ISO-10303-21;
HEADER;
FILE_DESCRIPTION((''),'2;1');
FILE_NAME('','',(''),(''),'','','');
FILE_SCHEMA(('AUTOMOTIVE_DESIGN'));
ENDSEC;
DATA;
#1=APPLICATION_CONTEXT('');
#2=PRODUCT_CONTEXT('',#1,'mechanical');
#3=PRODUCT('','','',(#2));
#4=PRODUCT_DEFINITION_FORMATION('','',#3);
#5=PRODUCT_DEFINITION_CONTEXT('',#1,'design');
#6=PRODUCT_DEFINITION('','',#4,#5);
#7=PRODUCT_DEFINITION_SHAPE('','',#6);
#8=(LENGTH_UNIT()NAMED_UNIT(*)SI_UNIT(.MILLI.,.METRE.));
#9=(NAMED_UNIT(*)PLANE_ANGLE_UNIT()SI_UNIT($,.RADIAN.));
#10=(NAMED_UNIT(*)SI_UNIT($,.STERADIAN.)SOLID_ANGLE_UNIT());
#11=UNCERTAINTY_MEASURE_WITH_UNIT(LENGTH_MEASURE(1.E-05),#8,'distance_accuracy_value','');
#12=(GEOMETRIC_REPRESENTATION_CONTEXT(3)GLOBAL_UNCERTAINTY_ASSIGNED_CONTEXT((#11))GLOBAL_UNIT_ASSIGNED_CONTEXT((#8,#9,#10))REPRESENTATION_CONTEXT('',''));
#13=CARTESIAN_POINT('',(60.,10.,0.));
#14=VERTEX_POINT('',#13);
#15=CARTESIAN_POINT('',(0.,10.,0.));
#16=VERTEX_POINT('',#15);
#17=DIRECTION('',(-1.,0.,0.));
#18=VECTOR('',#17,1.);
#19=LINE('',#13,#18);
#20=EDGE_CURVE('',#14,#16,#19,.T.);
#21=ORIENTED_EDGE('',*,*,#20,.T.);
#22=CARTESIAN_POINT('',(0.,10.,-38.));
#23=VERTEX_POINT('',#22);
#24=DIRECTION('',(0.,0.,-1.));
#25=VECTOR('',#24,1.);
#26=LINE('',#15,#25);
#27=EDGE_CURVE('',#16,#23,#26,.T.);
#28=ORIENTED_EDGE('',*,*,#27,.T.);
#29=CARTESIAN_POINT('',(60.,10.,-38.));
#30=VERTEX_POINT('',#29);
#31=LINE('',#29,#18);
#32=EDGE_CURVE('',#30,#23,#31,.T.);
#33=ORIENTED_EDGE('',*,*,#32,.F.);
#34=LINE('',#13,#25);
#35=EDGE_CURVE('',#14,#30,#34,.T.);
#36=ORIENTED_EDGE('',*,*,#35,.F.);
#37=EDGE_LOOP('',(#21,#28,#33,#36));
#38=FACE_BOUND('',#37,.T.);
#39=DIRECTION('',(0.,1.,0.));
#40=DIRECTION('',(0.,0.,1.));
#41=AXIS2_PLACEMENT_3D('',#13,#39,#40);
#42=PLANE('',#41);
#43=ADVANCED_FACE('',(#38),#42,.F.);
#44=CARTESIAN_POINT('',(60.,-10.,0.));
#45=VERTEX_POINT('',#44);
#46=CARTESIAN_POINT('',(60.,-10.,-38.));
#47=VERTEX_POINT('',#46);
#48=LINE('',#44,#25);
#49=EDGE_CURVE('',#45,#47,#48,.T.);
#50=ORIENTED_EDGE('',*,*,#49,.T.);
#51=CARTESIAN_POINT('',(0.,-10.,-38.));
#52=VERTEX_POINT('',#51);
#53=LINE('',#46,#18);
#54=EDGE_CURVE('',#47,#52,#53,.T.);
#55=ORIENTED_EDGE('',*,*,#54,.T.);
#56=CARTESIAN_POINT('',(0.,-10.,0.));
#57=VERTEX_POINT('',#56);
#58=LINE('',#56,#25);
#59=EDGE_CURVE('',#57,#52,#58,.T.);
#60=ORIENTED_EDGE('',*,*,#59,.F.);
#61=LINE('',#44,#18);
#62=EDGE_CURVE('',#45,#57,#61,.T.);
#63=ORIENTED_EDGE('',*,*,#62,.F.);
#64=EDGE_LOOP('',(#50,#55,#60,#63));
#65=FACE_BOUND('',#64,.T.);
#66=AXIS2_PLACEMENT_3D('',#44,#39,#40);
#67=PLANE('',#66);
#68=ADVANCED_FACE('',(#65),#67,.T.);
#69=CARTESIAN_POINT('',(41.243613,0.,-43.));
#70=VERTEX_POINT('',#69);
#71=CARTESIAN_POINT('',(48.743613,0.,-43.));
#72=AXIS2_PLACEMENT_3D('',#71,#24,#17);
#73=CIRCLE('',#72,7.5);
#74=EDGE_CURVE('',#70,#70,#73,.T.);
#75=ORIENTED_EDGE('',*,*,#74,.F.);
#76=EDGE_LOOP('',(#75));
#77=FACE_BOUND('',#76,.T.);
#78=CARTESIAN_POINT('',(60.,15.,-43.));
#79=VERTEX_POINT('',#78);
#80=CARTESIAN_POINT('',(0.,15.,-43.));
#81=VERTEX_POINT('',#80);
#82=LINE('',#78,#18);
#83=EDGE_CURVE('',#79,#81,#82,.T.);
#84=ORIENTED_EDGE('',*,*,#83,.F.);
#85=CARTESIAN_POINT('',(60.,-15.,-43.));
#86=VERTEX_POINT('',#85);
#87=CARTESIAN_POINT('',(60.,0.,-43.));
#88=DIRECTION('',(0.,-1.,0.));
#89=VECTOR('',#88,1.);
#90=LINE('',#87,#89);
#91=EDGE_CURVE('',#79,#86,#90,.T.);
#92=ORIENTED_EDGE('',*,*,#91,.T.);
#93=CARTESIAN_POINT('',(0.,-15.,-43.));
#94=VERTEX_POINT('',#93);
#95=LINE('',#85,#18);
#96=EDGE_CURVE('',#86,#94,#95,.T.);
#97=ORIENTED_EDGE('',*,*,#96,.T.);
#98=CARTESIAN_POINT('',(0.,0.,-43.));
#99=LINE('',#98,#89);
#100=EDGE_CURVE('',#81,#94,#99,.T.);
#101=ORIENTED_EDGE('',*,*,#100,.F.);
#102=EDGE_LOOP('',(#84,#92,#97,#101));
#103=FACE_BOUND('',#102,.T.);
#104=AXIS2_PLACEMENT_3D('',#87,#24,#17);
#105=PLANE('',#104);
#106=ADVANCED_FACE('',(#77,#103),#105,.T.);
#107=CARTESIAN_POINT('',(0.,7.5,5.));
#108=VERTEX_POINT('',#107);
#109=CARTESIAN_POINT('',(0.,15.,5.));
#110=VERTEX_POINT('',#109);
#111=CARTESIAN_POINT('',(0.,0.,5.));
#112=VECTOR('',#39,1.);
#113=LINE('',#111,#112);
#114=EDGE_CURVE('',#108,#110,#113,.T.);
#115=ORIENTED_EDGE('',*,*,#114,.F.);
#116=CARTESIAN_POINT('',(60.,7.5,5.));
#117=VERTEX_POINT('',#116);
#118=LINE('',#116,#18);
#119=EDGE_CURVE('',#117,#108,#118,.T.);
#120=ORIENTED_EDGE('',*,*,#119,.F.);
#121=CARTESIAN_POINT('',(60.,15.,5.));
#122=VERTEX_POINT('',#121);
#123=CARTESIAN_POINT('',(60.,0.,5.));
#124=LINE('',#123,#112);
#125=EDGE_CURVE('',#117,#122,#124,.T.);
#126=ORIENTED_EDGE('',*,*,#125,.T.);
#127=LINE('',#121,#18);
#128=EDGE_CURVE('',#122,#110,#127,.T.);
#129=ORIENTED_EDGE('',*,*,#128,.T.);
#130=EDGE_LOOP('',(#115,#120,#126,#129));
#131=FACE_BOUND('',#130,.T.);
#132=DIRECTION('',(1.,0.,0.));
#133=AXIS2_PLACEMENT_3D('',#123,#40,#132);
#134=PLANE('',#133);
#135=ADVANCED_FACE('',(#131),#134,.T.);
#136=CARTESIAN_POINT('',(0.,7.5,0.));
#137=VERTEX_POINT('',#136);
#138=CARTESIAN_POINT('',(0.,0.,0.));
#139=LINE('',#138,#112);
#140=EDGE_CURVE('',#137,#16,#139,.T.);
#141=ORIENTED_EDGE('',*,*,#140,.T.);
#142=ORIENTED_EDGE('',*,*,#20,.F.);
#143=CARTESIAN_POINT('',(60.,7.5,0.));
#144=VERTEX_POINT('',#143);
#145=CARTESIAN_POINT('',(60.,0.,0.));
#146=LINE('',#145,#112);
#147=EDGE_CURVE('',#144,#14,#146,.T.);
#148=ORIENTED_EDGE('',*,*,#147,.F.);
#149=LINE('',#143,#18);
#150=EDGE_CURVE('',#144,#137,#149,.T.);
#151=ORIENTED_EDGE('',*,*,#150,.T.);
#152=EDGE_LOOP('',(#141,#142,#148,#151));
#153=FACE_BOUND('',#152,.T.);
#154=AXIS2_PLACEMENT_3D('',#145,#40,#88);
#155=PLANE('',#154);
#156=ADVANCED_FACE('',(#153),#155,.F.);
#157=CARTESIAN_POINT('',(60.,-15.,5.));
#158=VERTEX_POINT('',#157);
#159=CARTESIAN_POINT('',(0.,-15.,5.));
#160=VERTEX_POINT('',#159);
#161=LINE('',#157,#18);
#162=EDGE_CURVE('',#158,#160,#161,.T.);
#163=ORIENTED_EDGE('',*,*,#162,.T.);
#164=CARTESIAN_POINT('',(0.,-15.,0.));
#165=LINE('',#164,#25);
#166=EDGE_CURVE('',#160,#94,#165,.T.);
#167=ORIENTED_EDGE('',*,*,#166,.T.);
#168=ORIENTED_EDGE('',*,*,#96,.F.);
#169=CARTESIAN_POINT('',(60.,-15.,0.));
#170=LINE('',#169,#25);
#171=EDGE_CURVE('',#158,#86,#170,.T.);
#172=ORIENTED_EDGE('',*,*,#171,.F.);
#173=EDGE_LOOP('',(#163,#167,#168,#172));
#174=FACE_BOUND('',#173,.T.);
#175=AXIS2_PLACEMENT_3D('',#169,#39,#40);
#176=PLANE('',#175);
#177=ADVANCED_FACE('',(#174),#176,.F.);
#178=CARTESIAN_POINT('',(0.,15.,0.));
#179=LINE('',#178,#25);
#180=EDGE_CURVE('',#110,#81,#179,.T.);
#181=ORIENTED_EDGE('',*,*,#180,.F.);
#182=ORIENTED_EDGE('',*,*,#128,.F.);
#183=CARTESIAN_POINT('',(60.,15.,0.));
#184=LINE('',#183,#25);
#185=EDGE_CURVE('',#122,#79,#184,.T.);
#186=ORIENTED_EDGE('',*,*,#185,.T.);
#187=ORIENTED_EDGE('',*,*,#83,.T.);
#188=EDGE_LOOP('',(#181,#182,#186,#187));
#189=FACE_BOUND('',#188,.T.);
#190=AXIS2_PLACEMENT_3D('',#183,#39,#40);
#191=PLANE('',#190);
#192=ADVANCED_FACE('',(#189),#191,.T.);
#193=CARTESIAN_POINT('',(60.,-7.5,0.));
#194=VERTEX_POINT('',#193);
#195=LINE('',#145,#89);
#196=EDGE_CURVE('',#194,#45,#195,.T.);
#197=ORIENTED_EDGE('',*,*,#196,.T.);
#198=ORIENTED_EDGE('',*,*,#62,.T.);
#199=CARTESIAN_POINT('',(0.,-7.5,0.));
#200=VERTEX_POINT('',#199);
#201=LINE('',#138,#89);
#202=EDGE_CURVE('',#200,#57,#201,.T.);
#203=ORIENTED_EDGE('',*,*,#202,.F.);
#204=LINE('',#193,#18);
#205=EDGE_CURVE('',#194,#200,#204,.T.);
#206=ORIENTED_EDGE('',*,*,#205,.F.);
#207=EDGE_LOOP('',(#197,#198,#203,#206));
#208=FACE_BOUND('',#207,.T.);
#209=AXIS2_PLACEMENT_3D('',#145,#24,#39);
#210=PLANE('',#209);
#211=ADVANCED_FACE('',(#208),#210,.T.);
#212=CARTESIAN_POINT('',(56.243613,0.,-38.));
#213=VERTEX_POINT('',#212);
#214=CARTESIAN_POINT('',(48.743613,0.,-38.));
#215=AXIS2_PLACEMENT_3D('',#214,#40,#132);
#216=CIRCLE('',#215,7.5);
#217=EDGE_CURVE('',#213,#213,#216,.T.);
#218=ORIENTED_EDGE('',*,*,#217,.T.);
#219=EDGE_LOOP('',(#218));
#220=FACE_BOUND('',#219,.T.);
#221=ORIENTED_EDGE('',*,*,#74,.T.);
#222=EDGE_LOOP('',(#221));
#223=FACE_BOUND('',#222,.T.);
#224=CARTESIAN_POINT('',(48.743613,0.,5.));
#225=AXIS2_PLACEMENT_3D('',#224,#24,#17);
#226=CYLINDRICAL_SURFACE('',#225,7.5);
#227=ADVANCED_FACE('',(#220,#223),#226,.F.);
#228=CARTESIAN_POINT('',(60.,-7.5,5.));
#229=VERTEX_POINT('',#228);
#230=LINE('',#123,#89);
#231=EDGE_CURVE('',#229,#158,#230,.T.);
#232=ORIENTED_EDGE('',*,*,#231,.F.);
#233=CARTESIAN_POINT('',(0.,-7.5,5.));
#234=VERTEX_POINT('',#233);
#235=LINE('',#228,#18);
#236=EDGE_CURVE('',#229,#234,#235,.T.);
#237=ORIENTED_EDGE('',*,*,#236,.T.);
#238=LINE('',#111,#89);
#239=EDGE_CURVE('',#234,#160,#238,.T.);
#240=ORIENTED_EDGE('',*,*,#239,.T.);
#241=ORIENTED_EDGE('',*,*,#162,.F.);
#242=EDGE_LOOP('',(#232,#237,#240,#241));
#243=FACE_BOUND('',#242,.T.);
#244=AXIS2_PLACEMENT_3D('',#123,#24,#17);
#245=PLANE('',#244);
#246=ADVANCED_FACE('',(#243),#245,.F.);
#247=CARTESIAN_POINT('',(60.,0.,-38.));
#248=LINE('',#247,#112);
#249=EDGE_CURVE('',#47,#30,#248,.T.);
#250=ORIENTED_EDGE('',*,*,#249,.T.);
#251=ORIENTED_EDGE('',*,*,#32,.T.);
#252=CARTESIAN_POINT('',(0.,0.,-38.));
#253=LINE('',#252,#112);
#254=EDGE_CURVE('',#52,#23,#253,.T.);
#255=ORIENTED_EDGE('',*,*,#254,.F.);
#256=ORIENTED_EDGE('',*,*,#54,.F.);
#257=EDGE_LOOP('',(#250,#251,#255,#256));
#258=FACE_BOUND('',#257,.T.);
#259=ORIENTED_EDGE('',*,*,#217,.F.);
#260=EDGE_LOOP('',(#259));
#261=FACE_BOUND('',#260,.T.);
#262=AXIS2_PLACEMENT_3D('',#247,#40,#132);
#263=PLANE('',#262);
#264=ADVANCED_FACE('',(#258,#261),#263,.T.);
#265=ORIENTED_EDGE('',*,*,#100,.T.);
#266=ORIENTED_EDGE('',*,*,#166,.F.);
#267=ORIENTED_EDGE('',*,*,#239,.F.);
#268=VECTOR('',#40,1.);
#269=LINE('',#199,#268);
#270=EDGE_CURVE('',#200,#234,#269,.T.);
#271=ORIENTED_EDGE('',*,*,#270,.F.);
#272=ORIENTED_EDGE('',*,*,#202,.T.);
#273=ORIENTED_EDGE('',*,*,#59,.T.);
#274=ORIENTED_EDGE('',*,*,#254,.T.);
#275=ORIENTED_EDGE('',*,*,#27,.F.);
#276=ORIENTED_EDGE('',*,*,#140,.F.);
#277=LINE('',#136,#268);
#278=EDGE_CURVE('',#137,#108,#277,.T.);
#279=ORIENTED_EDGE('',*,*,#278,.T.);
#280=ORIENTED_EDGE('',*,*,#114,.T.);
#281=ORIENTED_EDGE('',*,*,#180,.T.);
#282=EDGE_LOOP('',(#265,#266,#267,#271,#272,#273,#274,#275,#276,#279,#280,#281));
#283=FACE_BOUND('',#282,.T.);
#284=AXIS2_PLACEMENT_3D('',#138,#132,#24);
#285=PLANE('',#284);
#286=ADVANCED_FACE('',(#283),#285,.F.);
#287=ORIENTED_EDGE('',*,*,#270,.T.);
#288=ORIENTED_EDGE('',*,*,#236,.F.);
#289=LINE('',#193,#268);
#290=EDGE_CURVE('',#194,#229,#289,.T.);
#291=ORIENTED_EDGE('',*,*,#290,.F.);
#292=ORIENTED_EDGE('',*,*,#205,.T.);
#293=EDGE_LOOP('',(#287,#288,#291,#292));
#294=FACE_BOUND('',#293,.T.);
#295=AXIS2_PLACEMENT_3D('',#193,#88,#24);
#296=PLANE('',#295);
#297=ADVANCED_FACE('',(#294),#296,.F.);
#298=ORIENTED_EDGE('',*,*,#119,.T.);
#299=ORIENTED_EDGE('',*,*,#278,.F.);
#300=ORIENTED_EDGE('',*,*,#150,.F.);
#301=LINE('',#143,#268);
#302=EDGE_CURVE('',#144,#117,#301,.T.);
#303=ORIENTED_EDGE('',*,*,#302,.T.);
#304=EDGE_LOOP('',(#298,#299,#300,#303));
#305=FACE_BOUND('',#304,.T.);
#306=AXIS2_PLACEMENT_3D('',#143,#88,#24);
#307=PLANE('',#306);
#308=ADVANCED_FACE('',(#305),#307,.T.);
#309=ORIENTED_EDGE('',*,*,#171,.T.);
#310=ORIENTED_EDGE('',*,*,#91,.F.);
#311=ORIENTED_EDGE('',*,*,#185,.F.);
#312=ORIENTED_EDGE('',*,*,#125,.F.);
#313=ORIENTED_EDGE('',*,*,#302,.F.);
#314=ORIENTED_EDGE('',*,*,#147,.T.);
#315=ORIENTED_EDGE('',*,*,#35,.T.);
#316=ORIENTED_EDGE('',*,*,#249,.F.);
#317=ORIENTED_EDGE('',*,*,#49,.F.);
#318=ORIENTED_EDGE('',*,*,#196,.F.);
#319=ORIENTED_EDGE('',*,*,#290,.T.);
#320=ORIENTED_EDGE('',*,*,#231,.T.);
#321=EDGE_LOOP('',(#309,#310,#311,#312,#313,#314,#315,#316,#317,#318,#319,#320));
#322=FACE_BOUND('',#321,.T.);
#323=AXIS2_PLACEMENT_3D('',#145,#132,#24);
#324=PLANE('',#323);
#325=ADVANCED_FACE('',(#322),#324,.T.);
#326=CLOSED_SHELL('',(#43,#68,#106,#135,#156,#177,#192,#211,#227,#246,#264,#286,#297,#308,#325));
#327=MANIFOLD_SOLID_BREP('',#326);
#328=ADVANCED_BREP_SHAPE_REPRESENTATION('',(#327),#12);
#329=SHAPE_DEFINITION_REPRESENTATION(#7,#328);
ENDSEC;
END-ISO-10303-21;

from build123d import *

# Parameters (mm, degrees)
BOSS_EXTRUDE1_DEPTH = 60
SKETCH3_R           = 7.5
CUT_EXTRUDE1_DEPTH  = 49


with BuildPart() as part:
    # Sketch1 → Boss-Extrude1 (new body)
    with BuildSketch(Plane(origin=(0, 0, 0), x_dir=(0, 0, -1), z_dir=(1, 0, 0))):
        Polygon((-5, 7.5), (0, 7.5), (0, 10), (38, 10), (38, 0), (43, 0), (43, 15), (-5, 15), align=None)
        Polygon((43, 0), (38, 0), (38, -10), (0, -10), (0, -7.5), (-5, -7.5), (-5, -15), (43, -15), align=None)
    extrude(amount=BOSS_EXTRUDE1_DEPTH)

    # Sketch3 → Cut-Extrude1 (cut, through all)
    with BuildSketch(Plane(origin=(0, 0, -43), x_dir=(-1, 0, 0), z_dir=(0, 0, -1))):
        with Locations((-48.743612904, 0)):
            Circle(SKETCH3_R)
    extrude(amount=-CUT_EXTRUDE1_DEPTH, mode=Mode.SUBTRACT)


solid = part.part
